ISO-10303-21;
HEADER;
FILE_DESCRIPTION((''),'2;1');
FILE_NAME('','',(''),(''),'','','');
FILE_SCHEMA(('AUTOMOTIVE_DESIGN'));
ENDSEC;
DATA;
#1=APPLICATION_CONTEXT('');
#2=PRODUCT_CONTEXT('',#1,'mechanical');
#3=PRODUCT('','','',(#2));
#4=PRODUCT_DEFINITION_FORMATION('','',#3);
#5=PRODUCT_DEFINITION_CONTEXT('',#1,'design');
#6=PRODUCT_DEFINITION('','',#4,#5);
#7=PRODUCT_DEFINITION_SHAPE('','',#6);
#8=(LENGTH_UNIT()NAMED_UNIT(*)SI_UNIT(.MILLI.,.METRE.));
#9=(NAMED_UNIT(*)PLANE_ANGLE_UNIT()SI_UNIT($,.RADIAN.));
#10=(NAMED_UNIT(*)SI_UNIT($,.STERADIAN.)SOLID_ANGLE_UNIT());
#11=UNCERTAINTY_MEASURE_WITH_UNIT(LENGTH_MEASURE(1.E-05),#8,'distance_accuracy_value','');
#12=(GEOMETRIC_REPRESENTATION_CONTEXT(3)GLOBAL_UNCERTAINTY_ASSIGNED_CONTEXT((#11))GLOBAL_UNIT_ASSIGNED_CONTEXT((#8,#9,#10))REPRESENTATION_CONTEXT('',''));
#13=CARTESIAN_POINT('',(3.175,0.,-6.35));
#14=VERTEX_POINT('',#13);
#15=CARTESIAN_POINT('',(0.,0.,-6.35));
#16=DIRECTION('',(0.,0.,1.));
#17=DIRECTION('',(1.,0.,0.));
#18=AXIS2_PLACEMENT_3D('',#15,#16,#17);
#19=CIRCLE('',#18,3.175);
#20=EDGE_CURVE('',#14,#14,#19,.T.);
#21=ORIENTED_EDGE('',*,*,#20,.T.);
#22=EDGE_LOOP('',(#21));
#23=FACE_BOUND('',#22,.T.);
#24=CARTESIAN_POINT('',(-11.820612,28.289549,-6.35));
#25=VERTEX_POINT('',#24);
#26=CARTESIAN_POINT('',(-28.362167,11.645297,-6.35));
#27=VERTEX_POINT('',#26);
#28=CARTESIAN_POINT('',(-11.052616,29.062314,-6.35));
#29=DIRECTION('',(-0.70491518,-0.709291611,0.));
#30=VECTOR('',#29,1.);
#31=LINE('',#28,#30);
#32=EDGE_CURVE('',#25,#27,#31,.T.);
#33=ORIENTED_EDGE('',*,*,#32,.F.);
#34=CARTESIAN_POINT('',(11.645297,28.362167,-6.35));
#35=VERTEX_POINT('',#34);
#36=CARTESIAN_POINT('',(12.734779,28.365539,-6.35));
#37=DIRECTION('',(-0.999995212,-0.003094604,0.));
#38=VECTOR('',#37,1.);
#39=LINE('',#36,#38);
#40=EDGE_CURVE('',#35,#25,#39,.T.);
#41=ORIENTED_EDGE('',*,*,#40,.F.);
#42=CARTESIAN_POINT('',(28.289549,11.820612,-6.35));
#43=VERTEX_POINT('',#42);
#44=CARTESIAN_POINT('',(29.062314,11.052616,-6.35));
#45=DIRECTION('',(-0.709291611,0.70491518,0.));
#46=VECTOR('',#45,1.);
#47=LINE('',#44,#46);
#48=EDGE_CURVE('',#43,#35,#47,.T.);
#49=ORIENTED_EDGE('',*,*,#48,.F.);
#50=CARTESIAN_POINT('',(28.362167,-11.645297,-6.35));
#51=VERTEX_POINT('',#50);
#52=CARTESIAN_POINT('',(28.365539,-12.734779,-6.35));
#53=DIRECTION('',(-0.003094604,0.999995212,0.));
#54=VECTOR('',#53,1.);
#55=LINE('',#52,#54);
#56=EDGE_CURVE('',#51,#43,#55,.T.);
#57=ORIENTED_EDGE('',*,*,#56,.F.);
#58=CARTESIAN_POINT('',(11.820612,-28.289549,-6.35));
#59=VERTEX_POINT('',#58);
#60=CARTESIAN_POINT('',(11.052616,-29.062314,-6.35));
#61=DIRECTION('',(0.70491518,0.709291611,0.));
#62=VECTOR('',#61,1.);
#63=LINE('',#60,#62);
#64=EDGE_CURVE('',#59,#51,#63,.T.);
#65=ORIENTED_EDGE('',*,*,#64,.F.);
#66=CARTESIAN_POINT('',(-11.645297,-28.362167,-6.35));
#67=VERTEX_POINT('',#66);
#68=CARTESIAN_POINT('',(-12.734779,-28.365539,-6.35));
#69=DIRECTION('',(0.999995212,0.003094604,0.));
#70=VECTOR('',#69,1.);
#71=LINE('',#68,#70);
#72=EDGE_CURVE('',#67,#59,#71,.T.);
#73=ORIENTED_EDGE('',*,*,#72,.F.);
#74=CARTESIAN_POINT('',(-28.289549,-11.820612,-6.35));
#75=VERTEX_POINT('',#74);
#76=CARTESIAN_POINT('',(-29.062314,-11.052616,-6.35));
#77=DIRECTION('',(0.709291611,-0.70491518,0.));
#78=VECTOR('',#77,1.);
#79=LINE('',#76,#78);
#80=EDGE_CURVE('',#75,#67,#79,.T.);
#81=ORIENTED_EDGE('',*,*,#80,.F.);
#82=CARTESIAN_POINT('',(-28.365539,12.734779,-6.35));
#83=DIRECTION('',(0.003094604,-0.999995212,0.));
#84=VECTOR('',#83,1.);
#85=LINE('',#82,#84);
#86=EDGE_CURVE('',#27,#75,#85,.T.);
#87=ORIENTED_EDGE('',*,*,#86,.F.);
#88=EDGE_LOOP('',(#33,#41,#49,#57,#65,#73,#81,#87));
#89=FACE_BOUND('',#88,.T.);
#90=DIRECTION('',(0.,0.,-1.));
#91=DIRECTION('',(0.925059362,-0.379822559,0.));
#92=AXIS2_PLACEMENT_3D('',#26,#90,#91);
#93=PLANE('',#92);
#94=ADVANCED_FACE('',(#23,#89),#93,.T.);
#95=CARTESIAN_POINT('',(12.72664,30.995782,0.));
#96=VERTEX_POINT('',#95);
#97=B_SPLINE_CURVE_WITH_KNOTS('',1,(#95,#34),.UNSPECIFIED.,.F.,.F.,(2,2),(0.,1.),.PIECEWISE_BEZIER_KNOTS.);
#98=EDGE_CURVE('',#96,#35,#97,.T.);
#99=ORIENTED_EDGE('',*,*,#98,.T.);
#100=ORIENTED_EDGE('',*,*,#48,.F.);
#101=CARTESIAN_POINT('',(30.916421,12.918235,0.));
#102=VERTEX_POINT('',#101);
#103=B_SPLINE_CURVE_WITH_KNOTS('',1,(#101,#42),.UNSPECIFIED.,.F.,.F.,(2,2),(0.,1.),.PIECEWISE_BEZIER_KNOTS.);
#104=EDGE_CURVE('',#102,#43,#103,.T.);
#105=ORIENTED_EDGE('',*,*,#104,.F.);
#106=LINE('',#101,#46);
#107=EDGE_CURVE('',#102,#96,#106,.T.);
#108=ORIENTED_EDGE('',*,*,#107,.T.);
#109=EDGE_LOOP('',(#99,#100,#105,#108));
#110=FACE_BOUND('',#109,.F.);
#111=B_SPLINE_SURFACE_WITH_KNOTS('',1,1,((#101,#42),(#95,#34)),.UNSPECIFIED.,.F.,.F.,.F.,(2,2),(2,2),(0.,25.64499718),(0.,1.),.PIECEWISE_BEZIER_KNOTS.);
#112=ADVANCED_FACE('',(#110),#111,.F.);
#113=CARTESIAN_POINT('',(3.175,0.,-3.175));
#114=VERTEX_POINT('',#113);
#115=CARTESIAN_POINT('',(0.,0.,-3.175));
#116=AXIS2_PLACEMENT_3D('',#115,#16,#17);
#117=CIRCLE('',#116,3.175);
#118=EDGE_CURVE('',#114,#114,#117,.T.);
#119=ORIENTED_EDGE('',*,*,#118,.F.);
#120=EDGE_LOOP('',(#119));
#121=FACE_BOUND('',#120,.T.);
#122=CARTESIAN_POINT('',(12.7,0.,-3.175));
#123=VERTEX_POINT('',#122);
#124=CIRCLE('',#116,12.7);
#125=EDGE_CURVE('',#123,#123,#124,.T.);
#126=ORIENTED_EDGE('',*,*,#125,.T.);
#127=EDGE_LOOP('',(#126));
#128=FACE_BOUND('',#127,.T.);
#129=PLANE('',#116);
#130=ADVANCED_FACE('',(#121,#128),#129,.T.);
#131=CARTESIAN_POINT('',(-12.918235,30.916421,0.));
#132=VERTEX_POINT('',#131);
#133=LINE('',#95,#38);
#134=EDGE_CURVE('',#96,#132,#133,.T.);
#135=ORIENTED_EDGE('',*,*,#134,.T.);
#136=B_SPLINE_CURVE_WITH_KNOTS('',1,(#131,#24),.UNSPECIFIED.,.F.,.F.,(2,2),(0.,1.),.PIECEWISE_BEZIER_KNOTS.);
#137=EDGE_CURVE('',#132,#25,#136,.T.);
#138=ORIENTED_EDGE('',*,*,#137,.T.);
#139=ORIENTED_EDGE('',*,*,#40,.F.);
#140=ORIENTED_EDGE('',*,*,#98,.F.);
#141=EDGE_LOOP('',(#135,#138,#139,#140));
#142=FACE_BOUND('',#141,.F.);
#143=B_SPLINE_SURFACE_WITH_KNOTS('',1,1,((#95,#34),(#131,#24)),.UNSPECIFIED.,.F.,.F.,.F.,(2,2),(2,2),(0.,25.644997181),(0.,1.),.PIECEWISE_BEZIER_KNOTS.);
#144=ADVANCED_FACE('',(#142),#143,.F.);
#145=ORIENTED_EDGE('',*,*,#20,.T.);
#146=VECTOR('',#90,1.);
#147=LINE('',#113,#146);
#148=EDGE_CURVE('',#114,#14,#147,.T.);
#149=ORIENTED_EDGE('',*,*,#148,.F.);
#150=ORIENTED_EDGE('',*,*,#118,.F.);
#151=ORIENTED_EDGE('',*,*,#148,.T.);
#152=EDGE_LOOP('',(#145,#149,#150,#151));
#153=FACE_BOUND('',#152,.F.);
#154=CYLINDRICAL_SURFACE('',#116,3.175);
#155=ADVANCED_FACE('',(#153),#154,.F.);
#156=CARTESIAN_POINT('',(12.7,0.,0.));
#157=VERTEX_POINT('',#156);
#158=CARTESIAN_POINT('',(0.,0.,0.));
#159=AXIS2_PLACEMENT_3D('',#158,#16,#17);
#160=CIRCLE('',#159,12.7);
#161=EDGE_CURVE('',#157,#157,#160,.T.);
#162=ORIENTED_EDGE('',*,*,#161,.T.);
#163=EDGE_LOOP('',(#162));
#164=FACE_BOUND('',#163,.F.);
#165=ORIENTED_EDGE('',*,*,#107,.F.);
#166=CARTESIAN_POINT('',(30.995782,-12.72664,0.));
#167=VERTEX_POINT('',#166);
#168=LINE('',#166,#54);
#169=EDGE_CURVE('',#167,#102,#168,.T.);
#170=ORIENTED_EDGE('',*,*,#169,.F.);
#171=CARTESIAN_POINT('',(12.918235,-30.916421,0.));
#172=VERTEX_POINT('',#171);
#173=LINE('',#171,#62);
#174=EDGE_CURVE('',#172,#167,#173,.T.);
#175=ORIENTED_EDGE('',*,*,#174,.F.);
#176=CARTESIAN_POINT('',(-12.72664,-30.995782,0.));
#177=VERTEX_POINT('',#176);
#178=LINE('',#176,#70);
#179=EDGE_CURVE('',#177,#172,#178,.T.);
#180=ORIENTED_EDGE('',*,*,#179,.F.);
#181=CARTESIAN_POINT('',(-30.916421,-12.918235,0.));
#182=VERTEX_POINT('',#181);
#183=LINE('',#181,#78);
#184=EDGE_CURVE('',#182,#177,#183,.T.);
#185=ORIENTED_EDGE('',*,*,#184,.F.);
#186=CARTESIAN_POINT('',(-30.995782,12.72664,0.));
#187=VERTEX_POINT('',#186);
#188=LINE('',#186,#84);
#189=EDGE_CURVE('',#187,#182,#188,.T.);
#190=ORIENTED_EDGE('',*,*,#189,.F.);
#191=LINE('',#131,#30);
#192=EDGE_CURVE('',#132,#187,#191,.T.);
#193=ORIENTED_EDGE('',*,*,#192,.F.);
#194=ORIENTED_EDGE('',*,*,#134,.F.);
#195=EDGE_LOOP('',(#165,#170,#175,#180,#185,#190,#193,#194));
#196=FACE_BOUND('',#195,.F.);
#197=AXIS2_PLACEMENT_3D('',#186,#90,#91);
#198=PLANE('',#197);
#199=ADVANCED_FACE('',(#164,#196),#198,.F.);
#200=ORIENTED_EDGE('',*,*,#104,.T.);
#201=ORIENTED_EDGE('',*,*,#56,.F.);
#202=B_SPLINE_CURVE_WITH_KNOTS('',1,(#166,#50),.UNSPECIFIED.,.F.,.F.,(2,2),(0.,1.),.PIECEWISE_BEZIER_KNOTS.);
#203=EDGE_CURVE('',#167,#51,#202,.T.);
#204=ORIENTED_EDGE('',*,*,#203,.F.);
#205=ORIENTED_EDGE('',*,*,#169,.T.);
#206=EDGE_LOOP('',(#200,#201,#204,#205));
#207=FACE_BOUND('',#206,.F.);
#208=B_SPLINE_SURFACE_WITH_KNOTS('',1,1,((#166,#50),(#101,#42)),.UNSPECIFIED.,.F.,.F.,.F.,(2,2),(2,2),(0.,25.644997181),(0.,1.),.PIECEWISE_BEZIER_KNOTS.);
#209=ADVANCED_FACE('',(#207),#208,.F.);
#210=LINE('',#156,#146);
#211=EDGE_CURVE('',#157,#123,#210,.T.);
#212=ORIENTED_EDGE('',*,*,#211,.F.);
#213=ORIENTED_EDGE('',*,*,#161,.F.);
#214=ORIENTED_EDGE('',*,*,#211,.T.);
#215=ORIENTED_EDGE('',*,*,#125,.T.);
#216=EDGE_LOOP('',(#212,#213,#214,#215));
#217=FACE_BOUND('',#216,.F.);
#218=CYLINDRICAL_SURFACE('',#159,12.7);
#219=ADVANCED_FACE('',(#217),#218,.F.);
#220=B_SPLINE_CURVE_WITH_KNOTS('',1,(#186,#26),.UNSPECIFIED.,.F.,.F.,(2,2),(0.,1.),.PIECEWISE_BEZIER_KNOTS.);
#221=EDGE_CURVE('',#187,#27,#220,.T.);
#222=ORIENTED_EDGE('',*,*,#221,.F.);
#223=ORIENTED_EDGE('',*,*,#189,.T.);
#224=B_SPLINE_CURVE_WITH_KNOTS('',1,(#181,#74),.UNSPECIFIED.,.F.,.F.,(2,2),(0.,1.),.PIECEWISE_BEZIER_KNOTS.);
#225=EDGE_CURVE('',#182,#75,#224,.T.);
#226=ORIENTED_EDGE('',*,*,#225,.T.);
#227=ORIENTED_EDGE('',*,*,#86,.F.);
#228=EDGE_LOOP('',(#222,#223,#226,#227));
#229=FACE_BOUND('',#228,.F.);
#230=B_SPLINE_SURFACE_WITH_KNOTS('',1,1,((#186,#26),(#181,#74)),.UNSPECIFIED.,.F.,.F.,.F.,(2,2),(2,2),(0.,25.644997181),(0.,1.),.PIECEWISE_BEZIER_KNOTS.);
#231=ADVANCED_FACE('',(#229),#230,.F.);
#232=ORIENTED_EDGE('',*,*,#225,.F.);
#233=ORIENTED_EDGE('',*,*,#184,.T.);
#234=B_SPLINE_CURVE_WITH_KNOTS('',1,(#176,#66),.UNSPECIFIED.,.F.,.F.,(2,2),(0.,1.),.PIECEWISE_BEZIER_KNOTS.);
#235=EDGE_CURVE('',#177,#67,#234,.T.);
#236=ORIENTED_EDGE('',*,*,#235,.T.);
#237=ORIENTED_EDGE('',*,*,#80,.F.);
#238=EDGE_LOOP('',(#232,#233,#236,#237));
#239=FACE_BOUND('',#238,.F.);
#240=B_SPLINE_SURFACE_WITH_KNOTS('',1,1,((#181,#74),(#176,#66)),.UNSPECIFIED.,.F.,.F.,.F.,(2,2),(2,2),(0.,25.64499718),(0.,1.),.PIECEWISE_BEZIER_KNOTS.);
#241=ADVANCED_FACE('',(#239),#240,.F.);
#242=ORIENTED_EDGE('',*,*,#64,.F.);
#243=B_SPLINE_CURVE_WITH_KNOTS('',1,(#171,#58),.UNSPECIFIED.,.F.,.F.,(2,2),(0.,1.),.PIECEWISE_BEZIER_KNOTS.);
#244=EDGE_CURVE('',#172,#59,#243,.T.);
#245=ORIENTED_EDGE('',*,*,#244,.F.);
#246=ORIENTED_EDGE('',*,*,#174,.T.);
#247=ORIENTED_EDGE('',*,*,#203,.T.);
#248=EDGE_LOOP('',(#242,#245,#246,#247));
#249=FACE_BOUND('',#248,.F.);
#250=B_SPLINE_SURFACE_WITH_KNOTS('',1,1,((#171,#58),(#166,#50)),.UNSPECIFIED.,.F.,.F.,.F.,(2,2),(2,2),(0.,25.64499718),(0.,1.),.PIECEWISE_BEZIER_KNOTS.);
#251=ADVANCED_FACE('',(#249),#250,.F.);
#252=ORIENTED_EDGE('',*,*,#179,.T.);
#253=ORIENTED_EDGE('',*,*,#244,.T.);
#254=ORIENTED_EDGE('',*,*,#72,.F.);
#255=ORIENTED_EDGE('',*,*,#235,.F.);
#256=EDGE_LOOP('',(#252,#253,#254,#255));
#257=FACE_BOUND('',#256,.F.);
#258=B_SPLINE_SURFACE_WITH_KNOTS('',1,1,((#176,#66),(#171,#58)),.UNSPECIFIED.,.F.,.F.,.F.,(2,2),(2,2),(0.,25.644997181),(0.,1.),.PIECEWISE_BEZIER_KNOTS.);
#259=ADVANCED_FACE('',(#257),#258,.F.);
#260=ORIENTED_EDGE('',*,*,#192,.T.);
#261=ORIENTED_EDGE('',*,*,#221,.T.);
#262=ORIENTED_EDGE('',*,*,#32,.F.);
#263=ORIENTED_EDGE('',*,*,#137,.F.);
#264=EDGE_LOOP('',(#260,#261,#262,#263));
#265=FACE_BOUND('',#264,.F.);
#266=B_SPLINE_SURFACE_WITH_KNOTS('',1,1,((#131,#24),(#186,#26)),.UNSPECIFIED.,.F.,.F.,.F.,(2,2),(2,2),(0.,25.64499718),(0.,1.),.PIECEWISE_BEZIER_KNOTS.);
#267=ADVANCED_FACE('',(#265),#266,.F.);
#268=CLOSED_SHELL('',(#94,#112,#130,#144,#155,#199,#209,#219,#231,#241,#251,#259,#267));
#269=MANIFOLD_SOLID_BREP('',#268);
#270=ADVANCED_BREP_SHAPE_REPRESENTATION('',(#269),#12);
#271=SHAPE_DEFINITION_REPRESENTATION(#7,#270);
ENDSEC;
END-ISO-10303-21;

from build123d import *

# Parameters (mm, degrees)
F1_DEPTH = 6.35
F1_TAPER = 22.5
F2_R     = 12.7
F3_DEPTH = 3.175
F4_R     = 3.175
F5_DEPTH = 25.4


with BuildPart() as f1:
    # F0 (on Top) → F1 (new body)
    with BuildSketch(Plane.XY):
        Polygon((-30.9957823292, 12.7266398535), (-30.9164212153, -12.9182345311), (-12.7266398535, -30.9957823292), (12.9182345311, -30.9164212153), (30.9957823292, -12.7266398535), (30.9164212153, 12.9182345311), (12.7266398535, 30.9957823292), (-12.9182345311, 30.9164212153), align=None)
    extrude(amount=-F1_DEPTH, taper=F1_TAPER)

    # F2 (on face) → F3 (cut)
    with BuildSketch(Plane.XY):
        Circle(F2_R)
    extrude(amount=-F3_DEPTH, mode=Mode.SUBTRACT)

    # F4 (on face) → F5 (cut)
    with BuildSketch(Plane.XY.offset(-3.175)):
        Circle(F4_R)
    extrude(amount=-F5_DEPTH, mode=Mode.SUBTRACT)


solid = f1.part
